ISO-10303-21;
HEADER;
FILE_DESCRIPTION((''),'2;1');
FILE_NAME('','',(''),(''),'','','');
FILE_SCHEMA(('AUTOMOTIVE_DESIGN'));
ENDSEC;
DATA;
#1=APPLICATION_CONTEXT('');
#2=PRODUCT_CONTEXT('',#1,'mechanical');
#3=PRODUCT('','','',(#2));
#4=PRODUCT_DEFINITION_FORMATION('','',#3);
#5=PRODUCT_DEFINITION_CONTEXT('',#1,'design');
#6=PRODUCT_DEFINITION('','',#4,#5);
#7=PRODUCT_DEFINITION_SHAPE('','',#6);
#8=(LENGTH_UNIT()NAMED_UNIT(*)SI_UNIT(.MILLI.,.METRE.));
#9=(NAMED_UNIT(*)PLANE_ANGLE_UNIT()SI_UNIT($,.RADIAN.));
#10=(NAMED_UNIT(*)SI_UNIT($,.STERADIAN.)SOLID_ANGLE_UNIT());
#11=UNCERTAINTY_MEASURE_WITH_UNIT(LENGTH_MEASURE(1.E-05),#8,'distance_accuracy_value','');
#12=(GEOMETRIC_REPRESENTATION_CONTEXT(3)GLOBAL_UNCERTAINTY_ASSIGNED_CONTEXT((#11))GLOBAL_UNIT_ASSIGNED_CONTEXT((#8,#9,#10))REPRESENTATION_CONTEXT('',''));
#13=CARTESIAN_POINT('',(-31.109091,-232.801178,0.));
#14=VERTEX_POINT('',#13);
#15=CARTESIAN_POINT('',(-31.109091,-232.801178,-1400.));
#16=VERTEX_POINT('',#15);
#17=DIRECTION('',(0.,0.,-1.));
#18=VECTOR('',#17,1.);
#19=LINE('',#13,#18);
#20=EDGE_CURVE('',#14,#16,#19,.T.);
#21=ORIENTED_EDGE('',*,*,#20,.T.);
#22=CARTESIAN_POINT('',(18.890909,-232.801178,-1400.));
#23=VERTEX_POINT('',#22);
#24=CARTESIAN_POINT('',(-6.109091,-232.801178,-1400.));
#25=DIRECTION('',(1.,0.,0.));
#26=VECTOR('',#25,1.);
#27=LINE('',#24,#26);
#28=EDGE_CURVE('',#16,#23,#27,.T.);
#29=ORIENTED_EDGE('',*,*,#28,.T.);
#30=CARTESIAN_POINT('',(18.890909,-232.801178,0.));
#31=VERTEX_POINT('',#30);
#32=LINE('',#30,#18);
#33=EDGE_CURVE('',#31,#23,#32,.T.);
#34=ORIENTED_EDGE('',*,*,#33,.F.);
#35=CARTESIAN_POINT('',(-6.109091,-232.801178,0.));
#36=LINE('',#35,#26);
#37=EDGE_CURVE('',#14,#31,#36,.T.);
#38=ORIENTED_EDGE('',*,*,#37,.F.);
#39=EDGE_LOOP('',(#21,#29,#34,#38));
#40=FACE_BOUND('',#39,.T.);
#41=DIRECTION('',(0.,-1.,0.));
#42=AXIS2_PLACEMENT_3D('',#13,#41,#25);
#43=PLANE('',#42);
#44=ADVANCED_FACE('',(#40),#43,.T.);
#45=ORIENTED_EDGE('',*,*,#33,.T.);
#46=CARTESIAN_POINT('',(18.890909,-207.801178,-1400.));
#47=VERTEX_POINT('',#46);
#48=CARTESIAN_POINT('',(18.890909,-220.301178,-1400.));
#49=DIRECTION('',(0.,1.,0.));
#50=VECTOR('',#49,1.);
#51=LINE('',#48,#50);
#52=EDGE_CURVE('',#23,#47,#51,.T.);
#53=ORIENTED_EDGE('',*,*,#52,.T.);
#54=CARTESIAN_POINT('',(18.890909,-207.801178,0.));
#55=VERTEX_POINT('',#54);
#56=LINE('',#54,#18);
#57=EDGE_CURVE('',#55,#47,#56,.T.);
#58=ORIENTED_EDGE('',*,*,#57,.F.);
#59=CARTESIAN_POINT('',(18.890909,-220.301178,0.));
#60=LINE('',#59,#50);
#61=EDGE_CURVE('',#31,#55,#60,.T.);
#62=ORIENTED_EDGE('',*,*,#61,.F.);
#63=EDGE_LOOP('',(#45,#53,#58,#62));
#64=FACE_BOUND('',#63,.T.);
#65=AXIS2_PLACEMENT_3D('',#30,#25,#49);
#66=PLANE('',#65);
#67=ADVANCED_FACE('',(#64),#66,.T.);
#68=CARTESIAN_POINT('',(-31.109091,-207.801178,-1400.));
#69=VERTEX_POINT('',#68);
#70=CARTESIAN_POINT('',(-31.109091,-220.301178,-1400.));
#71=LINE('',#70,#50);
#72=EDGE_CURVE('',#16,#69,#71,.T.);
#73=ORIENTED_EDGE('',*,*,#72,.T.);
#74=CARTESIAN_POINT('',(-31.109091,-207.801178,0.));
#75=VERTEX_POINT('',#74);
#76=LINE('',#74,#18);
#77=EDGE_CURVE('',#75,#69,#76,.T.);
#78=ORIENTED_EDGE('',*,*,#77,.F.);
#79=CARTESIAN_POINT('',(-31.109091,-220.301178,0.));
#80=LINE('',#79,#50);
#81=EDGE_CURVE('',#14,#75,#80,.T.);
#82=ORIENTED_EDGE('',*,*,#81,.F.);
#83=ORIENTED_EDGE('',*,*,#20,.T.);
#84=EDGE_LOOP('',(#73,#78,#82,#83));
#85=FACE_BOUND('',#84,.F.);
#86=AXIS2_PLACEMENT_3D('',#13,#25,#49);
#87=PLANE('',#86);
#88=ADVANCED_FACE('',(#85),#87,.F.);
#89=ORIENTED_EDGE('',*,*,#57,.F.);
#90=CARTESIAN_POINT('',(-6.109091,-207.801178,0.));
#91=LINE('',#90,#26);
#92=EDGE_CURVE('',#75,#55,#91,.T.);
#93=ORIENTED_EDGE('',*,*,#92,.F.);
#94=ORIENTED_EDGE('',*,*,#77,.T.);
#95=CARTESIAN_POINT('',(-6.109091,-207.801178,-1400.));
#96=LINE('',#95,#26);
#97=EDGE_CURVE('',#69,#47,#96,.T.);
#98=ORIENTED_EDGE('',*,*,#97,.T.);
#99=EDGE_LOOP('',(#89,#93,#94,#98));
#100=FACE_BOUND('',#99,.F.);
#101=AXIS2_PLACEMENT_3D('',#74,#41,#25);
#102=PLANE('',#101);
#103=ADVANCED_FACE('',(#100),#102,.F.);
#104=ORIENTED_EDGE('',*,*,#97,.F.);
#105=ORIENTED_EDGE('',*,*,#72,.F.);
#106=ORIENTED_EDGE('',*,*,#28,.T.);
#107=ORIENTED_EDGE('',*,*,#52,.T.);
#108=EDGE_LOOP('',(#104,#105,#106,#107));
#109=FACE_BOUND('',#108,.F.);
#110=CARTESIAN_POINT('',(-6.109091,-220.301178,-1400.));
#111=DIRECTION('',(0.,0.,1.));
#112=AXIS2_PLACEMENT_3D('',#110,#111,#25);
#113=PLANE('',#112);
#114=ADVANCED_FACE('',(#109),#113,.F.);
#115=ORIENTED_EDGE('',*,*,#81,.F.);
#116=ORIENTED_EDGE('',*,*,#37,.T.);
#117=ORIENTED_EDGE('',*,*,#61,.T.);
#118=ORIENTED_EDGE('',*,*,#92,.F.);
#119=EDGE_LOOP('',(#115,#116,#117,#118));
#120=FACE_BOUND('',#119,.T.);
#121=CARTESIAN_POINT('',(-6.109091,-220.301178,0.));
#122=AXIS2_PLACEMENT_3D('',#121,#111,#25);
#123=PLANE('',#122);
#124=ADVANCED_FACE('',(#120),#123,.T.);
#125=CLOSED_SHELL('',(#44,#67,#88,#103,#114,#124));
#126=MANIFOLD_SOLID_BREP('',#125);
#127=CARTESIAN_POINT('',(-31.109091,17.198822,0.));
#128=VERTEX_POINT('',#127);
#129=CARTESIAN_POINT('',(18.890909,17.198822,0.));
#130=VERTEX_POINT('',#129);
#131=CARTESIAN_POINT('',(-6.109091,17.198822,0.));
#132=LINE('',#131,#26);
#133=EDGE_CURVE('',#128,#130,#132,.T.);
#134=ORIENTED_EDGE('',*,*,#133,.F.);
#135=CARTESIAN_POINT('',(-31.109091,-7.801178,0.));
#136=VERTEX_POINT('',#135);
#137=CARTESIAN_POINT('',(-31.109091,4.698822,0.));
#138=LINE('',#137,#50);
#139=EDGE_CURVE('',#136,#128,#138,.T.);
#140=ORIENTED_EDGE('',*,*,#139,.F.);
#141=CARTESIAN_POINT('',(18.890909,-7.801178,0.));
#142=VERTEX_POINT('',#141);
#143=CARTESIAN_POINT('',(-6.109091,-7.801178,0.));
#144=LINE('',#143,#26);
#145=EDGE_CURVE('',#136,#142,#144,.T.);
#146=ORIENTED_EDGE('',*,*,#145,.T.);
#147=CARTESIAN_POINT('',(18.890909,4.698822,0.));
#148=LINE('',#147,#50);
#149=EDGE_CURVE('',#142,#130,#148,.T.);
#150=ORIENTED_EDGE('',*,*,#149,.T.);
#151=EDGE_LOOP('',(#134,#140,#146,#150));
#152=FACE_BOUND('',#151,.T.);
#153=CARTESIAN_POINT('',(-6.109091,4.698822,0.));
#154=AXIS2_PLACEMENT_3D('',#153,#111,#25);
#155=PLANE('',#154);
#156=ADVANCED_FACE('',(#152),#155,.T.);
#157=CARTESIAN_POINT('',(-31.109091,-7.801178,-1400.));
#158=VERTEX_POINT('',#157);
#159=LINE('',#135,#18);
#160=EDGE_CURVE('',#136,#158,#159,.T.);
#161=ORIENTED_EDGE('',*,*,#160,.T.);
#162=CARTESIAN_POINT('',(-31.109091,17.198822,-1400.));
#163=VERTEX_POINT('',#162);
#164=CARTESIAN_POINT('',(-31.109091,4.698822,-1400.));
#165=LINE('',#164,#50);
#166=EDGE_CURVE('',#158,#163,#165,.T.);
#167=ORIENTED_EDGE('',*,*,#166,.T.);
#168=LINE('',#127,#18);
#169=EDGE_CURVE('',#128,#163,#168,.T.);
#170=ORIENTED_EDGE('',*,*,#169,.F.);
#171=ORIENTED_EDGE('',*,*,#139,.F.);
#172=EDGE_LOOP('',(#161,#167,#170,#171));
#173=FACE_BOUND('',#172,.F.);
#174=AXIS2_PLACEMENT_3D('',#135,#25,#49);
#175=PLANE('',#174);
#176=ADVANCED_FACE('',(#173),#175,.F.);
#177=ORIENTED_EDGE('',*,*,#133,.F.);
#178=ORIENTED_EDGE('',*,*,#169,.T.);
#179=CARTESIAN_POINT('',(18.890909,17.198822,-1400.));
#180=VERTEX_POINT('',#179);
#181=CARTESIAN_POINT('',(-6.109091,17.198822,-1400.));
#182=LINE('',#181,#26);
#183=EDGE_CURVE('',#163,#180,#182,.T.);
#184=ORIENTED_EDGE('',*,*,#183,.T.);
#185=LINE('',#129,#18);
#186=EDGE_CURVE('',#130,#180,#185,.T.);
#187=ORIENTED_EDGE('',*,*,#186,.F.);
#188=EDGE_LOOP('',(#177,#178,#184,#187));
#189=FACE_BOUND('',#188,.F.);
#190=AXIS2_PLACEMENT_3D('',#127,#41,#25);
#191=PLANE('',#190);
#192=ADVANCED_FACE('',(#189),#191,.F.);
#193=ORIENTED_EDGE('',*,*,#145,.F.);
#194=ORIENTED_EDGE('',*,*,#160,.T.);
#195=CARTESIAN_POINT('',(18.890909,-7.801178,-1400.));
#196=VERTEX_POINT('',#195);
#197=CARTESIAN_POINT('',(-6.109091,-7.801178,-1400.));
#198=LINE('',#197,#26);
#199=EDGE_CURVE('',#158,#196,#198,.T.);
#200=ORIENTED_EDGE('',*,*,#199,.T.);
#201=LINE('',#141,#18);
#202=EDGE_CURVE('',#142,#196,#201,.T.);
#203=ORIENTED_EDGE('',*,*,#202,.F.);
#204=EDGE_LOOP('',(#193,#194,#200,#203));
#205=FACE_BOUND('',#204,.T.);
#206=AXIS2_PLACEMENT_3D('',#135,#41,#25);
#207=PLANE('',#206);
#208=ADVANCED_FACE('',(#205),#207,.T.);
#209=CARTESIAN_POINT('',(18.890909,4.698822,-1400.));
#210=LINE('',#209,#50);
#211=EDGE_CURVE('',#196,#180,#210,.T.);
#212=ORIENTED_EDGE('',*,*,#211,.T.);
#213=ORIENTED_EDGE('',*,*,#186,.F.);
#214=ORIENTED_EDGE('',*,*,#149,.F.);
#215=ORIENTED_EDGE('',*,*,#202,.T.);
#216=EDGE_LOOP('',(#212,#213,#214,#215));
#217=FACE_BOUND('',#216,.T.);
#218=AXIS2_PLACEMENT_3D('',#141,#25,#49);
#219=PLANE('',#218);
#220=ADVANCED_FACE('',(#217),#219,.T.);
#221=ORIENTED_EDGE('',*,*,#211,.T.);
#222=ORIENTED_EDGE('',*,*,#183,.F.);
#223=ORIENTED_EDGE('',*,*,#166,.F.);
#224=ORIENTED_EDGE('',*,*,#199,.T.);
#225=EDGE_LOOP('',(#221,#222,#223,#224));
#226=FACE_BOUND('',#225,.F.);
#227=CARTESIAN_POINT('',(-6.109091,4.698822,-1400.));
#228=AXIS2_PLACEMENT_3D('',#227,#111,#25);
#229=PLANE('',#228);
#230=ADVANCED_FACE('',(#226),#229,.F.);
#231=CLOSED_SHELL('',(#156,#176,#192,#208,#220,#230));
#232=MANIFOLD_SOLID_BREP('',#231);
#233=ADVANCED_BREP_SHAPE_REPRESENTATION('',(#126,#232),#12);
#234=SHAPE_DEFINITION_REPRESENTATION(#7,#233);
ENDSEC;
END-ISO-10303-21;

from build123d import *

# Parameters (mm, degrees)
F0_W     = 50
F0_H     = 25
F1_DEPTH = 1400


with BuildPart() as f1:
    # F0 (on Top) → F1 (new body)
    with BuildSketch(Plane.XY):
        with Locations((-6.109091, 4.698822)):
            Rectangle(F0_W, F0_H)
        with Locations((-6.109091, -220.301178)):
            Rectangle(F0_W, F0_H)
    extrude(amount=-F1_DEPTH)


solid = f1.part
